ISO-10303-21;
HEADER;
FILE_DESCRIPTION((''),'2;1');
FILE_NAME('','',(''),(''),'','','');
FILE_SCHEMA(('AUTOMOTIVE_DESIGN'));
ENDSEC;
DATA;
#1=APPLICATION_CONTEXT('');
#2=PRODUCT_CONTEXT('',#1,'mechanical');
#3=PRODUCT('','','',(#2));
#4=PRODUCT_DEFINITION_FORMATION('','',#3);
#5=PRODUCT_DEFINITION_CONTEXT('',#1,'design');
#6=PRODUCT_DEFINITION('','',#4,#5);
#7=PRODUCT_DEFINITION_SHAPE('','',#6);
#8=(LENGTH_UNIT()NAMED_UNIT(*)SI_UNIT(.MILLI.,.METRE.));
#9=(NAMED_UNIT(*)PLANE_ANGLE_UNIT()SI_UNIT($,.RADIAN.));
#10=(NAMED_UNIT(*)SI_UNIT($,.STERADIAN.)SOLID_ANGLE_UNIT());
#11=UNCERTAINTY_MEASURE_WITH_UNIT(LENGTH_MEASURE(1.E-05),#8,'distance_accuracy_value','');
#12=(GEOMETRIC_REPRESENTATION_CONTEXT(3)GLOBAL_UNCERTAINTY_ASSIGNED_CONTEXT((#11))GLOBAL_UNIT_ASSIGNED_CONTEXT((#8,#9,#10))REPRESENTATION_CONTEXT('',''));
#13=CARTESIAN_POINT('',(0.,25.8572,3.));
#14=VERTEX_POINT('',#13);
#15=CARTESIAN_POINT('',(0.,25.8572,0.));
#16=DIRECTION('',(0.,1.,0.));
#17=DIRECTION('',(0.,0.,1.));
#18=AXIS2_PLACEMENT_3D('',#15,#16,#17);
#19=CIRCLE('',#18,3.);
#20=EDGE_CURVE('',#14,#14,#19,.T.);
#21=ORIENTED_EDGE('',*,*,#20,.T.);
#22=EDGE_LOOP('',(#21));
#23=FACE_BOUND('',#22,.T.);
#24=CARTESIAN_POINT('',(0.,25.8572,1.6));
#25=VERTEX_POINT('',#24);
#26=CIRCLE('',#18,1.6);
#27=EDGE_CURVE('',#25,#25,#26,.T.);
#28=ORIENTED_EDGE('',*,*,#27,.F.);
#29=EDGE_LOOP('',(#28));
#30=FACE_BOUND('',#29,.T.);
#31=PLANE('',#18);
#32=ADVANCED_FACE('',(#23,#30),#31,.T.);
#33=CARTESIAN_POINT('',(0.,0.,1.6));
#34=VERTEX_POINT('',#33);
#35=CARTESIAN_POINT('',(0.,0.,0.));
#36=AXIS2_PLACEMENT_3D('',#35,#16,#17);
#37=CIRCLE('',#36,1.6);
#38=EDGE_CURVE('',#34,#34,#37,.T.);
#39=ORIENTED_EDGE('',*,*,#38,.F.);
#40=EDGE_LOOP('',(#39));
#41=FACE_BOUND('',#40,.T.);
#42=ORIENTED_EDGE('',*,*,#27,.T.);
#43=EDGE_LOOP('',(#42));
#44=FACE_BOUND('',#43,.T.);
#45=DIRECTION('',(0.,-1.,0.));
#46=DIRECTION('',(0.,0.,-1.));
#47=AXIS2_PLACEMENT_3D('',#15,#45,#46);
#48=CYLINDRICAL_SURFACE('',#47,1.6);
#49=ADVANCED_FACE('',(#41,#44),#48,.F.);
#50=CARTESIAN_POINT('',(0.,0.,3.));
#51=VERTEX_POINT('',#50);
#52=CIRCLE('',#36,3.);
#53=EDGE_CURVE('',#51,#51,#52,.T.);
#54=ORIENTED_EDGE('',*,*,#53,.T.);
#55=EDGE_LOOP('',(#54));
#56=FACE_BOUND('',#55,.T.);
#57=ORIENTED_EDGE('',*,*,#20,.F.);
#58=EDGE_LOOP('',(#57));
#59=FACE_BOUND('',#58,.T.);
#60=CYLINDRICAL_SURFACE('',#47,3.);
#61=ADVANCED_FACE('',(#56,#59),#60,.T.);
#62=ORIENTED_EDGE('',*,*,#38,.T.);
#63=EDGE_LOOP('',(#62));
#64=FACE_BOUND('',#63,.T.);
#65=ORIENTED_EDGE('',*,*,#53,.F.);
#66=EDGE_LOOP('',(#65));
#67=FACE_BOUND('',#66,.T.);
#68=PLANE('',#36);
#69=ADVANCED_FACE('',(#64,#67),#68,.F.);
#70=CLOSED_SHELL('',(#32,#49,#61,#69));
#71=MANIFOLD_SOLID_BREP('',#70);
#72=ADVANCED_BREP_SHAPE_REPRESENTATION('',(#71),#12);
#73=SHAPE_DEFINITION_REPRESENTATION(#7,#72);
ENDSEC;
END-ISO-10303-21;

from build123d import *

# Parameters (mm, degrees)
PROFILE_SKETCH_R      = 3
PROFILE_SKETCH_R_2    = 1.6
PROFILE_EXTRUDE_DEPTH = 25.8572


with BuildPart() as part:
    # Profile Sketch → Profile Extrude (new body)
    with BuildSketch(Plane(origin=(0, 0, 0), x_dir=(1, 0, 0), z_dir=(0, 1, 0))):
        Circle(PROFILE_SKETCH_R)
        Circle(PROFILE_SKETCH_R_2, mode=Mode.SUBTRACT)
    extrude(amount=PROFILE_EXTRUDE_DEPTH)


solid = part.part
